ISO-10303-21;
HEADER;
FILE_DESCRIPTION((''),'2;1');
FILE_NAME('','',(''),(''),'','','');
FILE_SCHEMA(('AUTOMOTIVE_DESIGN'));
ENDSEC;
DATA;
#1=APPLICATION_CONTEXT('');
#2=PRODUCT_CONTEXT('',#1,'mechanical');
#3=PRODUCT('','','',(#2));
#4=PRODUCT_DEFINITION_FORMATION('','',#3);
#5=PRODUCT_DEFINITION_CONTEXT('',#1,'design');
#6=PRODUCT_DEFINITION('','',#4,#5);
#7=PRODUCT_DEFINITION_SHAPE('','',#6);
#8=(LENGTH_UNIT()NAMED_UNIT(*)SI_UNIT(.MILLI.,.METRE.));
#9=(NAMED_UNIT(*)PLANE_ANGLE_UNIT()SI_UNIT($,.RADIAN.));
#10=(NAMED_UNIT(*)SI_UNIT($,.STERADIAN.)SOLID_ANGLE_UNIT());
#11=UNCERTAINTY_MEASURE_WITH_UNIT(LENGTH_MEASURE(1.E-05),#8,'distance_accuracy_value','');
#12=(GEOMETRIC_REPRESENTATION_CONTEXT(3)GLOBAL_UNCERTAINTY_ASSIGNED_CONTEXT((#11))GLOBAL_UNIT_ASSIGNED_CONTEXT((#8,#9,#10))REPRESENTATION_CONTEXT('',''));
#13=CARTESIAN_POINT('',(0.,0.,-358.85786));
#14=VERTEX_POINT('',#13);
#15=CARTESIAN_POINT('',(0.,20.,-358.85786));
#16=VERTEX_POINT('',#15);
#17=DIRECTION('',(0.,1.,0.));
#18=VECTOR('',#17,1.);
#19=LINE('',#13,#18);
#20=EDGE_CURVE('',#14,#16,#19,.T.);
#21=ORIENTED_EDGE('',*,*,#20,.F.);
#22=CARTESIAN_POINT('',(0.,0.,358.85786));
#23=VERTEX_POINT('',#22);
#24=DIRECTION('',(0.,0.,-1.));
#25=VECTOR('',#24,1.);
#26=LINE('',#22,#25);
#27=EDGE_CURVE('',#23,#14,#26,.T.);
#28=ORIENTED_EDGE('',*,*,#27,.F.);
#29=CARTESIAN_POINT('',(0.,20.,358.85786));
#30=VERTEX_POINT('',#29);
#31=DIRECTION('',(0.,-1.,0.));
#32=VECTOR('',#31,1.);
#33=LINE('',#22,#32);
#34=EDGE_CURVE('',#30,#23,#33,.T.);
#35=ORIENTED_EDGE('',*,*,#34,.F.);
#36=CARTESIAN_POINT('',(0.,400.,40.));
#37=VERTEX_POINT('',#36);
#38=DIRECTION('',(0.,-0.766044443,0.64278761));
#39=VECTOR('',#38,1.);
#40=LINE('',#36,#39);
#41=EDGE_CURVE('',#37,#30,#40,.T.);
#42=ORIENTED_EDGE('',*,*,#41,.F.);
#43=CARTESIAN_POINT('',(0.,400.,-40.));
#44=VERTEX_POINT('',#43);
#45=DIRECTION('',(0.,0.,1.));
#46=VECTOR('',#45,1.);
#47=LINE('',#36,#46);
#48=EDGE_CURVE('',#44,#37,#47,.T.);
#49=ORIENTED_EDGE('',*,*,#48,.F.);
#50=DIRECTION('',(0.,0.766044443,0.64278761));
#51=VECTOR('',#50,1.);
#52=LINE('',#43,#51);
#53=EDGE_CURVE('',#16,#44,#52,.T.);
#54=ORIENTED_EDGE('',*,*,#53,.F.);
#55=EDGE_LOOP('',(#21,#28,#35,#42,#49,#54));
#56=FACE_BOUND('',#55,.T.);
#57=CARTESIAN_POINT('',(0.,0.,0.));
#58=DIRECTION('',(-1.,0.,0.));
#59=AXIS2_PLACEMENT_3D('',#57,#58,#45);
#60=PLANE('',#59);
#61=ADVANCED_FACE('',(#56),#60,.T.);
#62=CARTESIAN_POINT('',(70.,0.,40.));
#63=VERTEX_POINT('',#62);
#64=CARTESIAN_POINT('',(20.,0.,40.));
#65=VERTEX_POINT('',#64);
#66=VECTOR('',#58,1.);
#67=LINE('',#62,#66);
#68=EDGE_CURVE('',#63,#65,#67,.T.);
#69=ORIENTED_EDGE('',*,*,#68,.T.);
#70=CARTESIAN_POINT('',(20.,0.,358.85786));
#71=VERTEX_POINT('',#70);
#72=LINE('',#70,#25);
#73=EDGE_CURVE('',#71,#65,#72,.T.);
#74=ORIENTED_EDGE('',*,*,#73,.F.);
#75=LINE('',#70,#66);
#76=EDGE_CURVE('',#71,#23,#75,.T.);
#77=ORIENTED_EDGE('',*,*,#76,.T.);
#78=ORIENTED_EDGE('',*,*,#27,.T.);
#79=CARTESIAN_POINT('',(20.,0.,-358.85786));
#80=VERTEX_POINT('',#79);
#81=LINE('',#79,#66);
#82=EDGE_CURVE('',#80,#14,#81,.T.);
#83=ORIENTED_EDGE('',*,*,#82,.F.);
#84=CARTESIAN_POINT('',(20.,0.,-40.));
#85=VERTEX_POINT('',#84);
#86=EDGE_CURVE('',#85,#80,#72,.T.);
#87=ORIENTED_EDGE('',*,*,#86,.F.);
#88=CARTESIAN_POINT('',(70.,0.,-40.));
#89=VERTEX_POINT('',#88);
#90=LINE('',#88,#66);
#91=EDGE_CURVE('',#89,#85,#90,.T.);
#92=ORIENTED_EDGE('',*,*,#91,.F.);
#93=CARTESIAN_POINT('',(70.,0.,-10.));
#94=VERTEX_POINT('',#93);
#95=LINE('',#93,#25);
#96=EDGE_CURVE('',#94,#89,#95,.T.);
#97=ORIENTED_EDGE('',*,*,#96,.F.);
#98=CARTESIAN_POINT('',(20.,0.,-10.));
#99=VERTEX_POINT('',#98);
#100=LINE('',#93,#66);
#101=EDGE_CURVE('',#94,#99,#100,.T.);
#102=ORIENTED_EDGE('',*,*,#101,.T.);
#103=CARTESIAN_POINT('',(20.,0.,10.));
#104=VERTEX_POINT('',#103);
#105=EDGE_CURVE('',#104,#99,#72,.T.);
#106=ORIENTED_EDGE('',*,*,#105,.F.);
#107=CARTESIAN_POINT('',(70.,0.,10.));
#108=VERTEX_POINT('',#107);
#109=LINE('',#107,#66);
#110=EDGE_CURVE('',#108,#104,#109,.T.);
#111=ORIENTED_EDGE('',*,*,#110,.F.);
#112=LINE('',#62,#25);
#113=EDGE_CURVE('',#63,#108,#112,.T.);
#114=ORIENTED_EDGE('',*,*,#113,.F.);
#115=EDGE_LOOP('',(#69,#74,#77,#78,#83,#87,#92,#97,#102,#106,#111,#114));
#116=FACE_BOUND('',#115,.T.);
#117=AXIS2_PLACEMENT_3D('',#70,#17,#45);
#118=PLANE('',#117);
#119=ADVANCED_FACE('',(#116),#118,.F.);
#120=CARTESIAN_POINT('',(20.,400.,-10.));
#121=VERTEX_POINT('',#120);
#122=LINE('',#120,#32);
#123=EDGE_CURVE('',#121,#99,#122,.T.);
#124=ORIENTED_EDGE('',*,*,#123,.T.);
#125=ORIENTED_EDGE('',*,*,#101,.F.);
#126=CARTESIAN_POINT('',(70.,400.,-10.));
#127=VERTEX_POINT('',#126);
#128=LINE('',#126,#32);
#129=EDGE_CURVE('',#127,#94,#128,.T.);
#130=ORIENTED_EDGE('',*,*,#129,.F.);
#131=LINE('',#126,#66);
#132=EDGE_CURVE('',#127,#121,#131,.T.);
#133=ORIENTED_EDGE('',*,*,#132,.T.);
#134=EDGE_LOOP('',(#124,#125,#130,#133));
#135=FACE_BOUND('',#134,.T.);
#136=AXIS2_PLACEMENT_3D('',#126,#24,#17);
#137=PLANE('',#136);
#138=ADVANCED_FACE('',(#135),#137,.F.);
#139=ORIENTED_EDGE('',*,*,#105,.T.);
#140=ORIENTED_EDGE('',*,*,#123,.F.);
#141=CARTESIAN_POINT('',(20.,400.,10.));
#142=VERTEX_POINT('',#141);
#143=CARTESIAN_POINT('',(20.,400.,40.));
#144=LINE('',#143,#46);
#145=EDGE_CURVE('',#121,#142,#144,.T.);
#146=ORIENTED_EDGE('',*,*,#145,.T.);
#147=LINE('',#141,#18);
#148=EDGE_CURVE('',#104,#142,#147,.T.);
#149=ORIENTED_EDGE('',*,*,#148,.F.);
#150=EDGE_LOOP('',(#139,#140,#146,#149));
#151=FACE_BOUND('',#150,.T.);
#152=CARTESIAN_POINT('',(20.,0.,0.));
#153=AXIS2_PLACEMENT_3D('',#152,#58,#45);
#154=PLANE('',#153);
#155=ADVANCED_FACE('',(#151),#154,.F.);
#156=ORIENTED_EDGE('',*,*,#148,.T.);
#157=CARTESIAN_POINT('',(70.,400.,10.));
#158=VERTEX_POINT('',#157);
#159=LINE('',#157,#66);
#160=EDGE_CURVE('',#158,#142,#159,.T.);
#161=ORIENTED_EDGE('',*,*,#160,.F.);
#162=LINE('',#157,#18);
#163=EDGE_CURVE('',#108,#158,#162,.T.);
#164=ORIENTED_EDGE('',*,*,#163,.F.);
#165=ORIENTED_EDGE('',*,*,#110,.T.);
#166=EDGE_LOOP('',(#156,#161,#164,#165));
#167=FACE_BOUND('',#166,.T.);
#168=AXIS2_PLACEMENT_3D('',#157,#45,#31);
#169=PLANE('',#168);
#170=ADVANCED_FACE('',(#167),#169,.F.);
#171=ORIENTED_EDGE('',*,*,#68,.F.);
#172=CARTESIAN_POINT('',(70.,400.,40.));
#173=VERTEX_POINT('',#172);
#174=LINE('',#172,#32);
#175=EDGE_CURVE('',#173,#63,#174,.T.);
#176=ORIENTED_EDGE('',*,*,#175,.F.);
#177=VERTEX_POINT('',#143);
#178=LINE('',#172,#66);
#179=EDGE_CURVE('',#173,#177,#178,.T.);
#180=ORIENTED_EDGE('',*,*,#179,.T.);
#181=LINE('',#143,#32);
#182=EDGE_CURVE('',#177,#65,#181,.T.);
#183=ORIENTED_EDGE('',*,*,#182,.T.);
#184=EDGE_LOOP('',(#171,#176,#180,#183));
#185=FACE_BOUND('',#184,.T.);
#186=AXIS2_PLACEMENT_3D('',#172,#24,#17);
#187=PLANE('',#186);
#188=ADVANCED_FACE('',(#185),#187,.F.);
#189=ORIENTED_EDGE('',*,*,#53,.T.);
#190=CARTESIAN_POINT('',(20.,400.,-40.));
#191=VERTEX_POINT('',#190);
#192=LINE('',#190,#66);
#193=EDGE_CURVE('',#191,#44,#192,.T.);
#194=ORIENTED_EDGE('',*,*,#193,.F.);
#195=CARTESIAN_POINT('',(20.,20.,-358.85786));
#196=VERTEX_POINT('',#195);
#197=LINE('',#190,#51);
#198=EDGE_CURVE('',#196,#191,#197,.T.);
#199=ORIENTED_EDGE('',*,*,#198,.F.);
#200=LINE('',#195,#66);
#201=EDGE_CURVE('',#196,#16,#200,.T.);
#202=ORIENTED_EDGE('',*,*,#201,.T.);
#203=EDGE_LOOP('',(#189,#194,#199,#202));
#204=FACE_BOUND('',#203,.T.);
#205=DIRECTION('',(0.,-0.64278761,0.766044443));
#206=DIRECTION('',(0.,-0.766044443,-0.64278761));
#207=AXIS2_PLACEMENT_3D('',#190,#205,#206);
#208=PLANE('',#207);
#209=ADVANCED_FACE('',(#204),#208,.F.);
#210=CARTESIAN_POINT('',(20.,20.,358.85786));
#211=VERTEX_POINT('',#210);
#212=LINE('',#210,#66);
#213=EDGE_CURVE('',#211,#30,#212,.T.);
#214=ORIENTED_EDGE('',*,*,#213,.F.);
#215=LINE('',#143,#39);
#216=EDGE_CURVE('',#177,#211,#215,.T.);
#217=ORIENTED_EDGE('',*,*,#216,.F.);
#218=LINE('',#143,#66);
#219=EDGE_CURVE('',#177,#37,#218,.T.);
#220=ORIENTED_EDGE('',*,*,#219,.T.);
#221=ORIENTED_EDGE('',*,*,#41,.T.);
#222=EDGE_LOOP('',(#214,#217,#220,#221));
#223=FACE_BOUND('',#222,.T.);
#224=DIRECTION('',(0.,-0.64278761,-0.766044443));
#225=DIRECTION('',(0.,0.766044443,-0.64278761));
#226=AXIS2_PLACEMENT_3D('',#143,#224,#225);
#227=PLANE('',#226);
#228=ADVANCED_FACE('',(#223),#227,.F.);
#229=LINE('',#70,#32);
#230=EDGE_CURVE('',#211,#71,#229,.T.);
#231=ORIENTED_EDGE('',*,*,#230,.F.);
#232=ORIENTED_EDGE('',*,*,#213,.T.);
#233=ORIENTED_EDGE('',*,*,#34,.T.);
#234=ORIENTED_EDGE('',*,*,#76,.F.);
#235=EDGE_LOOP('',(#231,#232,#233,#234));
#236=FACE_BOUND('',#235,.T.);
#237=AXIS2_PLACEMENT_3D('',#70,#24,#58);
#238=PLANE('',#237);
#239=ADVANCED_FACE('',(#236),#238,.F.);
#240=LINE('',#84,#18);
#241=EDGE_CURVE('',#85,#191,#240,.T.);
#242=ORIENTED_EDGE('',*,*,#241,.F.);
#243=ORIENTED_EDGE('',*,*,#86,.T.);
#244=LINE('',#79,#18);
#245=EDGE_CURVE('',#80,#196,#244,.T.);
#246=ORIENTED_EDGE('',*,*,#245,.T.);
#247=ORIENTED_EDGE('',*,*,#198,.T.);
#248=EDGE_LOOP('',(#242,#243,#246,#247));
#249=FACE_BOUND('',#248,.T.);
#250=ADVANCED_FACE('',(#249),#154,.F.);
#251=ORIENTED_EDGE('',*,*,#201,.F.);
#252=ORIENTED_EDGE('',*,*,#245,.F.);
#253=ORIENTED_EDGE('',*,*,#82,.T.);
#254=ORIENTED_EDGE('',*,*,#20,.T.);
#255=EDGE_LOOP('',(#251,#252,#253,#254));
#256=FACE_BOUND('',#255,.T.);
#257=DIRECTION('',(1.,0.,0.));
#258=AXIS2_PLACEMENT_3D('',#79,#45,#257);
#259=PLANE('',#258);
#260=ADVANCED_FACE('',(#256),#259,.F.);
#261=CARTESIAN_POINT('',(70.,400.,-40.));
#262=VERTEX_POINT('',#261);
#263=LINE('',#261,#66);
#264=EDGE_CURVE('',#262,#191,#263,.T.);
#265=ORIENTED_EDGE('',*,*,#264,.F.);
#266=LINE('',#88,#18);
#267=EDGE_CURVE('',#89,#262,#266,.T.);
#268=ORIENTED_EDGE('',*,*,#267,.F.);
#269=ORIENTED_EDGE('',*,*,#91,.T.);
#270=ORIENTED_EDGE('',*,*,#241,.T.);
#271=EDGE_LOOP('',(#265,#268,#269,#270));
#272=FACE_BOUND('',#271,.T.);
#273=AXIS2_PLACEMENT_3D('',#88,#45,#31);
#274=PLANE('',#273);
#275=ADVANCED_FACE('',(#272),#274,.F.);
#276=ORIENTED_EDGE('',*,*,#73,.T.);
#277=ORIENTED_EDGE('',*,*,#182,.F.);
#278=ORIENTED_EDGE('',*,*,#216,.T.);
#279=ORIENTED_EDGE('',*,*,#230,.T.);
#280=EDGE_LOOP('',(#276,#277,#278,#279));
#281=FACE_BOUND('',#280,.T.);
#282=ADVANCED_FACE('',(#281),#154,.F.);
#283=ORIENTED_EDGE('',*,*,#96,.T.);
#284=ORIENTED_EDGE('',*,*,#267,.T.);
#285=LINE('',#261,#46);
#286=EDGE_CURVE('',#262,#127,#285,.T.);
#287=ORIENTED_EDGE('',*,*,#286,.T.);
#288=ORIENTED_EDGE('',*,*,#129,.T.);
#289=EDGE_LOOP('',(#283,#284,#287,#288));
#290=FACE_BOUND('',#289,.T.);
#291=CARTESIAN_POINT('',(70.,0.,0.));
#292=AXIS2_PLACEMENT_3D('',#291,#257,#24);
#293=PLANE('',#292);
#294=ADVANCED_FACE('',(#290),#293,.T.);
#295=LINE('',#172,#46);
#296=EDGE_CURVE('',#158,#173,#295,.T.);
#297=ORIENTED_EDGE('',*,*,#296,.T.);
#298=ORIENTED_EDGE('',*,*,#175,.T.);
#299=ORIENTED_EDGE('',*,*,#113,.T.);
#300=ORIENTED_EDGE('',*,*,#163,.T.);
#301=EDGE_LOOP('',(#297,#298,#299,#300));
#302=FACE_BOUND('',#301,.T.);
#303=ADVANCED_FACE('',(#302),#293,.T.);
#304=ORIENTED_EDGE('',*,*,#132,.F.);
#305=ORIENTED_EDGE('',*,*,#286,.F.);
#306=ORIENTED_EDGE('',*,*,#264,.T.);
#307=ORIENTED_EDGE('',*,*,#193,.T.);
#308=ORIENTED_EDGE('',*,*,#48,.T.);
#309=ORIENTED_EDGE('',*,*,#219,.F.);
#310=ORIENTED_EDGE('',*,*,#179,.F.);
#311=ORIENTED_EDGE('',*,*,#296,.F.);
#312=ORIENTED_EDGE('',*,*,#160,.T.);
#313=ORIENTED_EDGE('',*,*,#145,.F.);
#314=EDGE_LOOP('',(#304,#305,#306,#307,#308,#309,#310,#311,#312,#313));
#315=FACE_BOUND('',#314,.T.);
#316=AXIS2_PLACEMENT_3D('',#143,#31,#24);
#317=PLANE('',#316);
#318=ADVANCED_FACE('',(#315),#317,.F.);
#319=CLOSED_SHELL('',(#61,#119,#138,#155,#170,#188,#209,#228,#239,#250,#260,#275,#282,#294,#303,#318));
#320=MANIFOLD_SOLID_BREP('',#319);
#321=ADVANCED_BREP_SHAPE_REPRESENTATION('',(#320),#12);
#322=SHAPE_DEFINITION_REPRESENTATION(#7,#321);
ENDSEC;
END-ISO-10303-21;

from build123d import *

# Parameters (mm, degrees)
BOSS_EXTRUDE1_DEPTH = 20
SKETCH3_W           = 30
SKETCH3_H           = 400
BOSS_EXTRUDE2_DEPTH = 50


with BuildPart() as part:
    # Sketch2 → Boss-Extrude1 (new body)
    with BuildSketch(Plane(origin=(0, 0, 0), x_dir=(0, 0, -1), z_dir=(1, 0, 0))):
        Polygon((-40, 400), (40, 400), (358.857859847, 20), (358.857859847, 0), (-358.857859847, 0), (-358.857859847, 20), align=None)
    extrude(amount=BOSS_EXTRUDE1_DEPTH)

    # Sketch3 → Boss-Extrude2 (add)
    with BuildSketch(Plane(origin=(20, 0, 0), x_dir=(0, 0, -1), z_dir=(1, 0, 0))):
        with Locations((-25, 200)):
            Rectangle(SKETCH3_W, SKETCH3_H)
        with Locations((25, 200)):
            Rectangle(SKETCH3_W, SKETCH3_H)
    extrude(amount=BOSS_EXTRUDE2_DEPTH)


solid = part.part
